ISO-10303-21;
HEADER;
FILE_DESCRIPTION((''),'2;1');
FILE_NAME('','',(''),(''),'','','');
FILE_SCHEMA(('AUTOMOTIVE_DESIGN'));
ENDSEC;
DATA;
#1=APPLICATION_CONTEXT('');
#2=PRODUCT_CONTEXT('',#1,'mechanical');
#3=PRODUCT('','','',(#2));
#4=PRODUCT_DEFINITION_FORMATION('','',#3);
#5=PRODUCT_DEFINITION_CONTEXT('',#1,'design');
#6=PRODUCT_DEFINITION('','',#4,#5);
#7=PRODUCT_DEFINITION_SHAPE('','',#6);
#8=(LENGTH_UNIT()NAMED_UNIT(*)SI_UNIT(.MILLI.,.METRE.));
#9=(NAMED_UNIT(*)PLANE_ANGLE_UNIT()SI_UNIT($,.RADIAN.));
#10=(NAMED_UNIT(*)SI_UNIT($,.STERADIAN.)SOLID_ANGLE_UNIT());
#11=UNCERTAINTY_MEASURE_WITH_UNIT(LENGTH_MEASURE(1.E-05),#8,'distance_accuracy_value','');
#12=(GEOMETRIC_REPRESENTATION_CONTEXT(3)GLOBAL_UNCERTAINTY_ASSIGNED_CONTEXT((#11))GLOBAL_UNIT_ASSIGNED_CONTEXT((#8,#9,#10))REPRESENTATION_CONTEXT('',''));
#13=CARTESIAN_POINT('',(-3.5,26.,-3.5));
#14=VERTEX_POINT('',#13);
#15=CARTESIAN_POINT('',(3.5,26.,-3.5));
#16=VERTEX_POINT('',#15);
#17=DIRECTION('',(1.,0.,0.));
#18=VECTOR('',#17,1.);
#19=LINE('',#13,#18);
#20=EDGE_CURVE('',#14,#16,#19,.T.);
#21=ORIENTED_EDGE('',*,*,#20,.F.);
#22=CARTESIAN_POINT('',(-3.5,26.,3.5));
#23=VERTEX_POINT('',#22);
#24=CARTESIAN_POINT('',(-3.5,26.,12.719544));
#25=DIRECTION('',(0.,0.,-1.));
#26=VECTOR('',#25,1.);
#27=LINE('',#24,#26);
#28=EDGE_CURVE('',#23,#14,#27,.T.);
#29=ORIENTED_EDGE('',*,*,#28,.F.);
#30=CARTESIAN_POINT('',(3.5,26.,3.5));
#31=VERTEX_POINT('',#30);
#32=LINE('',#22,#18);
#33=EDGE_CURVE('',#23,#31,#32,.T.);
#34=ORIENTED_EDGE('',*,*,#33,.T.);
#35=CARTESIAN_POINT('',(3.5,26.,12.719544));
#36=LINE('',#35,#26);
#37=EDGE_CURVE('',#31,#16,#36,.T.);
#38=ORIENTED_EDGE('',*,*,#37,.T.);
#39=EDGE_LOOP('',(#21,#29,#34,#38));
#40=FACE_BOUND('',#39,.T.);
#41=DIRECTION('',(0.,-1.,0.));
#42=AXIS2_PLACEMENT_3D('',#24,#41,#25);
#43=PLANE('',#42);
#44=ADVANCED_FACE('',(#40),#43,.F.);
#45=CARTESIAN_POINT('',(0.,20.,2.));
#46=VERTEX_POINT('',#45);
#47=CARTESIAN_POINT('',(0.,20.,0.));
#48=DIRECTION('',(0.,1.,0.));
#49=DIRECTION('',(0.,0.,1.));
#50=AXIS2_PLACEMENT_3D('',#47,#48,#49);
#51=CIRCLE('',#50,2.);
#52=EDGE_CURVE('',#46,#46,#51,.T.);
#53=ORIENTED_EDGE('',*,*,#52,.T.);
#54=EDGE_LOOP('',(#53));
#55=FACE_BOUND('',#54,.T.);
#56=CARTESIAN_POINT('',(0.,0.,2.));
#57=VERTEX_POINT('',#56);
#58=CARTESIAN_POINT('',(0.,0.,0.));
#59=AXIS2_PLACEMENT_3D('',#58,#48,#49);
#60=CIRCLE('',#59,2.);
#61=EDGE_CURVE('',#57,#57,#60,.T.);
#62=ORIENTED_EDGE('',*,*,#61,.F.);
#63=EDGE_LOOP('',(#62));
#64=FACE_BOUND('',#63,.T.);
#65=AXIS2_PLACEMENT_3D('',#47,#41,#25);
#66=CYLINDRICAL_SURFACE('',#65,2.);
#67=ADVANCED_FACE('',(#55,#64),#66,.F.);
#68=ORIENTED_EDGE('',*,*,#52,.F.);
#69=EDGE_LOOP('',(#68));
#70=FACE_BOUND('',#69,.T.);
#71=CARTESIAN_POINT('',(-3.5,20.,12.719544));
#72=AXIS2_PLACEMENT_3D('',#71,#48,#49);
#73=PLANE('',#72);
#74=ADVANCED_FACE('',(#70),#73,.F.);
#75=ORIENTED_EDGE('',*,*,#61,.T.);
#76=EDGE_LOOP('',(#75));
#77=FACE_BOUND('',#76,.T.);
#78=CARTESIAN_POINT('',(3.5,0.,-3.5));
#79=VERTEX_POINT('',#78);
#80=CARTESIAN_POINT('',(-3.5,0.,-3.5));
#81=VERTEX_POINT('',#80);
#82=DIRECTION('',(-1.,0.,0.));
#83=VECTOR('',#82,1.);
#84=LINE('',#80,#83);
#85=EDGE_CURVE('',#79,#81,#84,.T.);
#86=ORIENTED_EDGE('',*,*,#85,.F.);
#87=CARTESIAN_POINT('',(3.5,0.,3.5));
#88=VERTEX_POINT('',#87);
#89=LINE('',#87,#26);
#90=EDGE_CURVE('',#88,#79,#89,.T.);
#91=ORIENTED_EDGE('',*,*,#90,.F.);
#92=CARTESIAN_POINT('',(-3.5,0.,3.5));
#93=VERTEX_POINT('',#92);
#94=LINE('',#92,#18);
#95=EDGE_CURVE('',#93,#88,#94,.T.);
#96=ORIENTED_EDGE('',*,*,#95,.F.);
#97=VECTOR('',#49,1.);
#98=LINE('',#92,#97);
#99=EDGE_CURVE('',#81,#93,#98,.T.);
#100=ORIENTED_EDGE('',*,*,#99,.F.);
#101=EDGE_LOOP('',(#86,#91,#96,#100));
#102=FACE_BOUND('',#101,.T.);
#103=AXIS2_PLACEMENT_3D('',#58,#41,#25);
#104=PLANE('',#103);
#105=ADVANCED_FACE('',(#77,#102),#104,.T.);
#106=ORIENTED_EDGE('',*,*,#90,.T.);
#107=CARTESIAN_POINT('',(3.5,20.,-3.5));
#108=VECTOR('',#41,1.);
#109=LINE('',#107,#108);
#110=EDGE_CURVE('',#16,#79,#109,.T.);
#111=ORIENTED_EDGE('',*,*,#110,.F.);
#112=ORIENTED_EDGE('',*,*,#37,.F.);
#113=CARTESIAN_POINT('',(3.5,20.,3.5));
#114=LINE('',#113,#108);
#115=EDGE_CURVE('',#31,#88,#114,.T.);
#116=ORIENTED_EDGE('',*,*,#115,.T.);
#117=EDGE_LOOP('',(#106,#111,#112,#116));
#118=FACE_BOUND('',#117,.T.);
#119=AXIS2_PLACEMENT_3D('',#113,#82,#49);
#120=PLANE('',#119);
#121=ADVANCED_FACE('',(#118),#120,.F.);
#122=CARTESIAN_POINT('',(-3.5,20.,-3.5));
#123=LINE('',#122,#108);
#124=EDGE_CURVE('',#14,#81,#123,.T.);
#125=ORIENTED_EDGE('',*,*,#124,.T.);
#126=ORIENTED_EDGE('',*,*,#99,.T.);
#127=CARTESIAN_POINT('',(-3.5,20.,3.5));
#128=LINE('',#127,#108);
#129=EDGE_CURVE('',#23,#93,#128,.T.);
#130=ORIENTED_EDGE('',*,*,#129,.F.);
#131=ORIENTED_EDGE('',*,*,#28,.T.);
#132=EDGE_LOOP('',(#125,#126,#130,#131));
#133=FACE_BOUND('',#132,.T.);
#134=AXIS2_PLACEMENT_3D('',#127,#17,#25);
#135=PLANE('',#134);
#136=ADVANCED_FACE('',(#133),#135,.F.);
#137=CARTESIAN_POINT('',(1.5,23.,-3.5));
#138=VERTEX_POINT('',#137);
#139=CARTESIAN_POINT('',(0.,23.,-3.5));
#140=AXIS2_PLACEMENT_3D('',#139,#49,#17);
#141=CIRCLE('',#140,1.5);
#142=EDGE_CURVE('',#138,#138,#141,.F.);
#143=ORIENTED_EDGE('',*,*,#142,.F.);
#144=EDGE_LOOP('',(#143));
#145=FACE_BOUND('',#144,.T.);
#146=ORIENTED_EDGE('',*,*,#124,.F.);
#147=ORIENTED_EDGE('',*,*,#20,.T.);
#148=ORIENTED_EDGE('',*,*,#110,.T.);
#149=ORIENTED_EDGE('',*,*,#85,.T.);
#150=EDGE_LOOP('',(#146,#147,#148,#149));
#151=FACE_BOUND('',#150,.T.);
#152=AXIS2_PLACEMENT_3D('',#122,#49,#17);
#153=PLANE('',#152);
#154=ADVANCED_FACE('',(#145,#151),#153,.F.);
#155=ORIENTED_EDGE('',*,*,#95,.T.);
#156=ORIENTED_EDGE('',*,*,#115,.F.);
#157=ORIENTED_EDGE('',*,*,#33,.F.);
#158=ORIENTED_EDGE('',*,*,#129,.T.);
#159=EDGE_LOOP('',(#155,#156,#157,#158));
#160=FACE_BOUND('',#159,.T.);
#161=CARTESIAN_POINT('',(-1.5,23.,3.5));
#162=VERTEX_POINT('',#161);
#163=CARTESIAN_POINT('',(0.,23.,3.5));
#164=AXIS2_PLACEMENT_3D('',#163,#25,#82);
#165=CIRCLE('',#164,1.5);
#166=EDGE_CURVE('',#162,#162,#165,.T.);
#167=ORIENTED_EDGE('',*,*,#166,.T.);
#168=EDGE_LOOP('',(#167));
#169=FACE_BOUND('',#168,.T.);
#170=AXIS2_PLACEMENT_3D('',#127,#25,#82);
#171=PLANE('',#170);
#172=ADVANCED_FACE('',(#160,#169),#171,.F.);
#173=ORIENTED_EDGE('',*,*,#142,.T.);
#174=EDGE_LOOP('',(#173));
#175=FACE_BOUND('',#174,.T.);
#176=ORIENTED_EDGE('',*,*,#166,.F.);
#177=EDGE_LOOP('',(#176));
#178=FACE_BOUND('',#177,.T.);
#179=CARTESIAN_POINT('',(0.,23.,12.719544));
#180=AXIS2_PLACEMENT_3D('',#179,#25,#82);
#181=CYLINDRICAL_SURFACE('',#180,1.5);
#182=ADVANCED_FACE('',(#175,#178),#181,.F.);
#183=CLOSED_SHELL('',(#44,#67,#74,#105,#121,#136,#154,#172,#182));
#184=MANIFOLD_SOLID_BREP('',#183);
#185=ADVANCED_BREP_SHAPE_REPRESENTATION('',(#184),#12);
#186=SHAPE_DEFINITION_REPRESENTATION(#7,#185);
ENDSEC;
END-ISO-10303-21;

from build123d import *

# Parameters (mm, degrees)
SKETCH1_W                       = 7
SKETCH1_H                       = 7
SKETCH1_R                       = 2
BOSS_EXTRUDE1_DEPTH             = 20
BOSS_EXTRUDE2_REACH             = 5.5
SKETCH2_W                       = 7
SKETCH2_H                       = 6
SKETCH2_R                       = 1.5
BOSS_EXTRUDE2_DIRECTION_2_REACH = 5.5


with BuildPart() as part:
    # Sketch1 → Boss-Extrude1 (new body)
    with BuildSketch(Plane(origin=(0, 0, 0), x_dir=(1, 0, 0), z_dir=(0, 1, 0))):
        Rectangle(SKETCH1_W, SKETCH1_H)
        Circle(SKETCH1_R, mode=Mode.SUBTRACT)
    extrude(amount=BOSS_EXTRUDE1_DEPTH)

    # Boss-Extrude2: up to this face of the body (flat: up to its plane)
    boss_extrude2_end = Plane(part.part.faces().sort_by_distance((0, 10, 3.5))[0])
    # Sketch2 → Boss-Extrude2 (add, up to the picked face)
    with BuildSketch(Plane.XY, mode=Mode.PRIVATE) as boss_extrude2_sk1:
        with Locations((0, 23)):
            Rectangle(SKETCH2_W, SKETCH2_H)
        with Locations((0, 23)):
            Circle(SKETCH2_R, mode=Mode.SUBTRACT)
    boss_extrude2_tool1 = split(extrude(boss_extrude2_sk1.sketch, amount=BOSS_EXTRUDE2_REACH, mode=Mode.PRIVATE), bisect_by=boss_extrude2_end, keep=Keep.BOTH, mode=Mode.PRIVATE)
    add(boss_extrude2_tool1.solids().sort_by_distance((0, 25.907805, 0))[0])

    # Boss-Extrude2 direction 2: up to this face of the body (flat: up to its plane)
    boss_extrude2_direction_2_end = Plane(part.part.faces().sort_by_distance((0, 10, -3.5))[0])
    # Sketch2 → Boss-Extrude2 direction 2 (add, up to the picked face)
    with BuildSketch(Plane.XY, mode=Mode.PRIVATE) as boss_extrude2_direction_2_sk1:
        with Locations((0, 23)):
            Rectangle(SKETCH2_W, SKETCH2_H)
        with Locations((0, 23)):
            Circle(SKETCH2_R, mode=Mode.SUBTRACT)
    boss_extrude2_direction_2_tool1 = split(extrude(boss_extrude2_direction_2_sk1.sketch, amount=-BOSS_EXTRUDE2_DIRECTION_2_REACH, mode=Mode.PRIVATE), bisect_by=boss_extrude2_direction_2_end, keep=Keep.BOTH, mode=Mode.PRIVATE)
    add(boss_extrude2_direction_2_tool1.solids().sort_by_distance((0, 25.907805, 0))[0])


solid = part.part
